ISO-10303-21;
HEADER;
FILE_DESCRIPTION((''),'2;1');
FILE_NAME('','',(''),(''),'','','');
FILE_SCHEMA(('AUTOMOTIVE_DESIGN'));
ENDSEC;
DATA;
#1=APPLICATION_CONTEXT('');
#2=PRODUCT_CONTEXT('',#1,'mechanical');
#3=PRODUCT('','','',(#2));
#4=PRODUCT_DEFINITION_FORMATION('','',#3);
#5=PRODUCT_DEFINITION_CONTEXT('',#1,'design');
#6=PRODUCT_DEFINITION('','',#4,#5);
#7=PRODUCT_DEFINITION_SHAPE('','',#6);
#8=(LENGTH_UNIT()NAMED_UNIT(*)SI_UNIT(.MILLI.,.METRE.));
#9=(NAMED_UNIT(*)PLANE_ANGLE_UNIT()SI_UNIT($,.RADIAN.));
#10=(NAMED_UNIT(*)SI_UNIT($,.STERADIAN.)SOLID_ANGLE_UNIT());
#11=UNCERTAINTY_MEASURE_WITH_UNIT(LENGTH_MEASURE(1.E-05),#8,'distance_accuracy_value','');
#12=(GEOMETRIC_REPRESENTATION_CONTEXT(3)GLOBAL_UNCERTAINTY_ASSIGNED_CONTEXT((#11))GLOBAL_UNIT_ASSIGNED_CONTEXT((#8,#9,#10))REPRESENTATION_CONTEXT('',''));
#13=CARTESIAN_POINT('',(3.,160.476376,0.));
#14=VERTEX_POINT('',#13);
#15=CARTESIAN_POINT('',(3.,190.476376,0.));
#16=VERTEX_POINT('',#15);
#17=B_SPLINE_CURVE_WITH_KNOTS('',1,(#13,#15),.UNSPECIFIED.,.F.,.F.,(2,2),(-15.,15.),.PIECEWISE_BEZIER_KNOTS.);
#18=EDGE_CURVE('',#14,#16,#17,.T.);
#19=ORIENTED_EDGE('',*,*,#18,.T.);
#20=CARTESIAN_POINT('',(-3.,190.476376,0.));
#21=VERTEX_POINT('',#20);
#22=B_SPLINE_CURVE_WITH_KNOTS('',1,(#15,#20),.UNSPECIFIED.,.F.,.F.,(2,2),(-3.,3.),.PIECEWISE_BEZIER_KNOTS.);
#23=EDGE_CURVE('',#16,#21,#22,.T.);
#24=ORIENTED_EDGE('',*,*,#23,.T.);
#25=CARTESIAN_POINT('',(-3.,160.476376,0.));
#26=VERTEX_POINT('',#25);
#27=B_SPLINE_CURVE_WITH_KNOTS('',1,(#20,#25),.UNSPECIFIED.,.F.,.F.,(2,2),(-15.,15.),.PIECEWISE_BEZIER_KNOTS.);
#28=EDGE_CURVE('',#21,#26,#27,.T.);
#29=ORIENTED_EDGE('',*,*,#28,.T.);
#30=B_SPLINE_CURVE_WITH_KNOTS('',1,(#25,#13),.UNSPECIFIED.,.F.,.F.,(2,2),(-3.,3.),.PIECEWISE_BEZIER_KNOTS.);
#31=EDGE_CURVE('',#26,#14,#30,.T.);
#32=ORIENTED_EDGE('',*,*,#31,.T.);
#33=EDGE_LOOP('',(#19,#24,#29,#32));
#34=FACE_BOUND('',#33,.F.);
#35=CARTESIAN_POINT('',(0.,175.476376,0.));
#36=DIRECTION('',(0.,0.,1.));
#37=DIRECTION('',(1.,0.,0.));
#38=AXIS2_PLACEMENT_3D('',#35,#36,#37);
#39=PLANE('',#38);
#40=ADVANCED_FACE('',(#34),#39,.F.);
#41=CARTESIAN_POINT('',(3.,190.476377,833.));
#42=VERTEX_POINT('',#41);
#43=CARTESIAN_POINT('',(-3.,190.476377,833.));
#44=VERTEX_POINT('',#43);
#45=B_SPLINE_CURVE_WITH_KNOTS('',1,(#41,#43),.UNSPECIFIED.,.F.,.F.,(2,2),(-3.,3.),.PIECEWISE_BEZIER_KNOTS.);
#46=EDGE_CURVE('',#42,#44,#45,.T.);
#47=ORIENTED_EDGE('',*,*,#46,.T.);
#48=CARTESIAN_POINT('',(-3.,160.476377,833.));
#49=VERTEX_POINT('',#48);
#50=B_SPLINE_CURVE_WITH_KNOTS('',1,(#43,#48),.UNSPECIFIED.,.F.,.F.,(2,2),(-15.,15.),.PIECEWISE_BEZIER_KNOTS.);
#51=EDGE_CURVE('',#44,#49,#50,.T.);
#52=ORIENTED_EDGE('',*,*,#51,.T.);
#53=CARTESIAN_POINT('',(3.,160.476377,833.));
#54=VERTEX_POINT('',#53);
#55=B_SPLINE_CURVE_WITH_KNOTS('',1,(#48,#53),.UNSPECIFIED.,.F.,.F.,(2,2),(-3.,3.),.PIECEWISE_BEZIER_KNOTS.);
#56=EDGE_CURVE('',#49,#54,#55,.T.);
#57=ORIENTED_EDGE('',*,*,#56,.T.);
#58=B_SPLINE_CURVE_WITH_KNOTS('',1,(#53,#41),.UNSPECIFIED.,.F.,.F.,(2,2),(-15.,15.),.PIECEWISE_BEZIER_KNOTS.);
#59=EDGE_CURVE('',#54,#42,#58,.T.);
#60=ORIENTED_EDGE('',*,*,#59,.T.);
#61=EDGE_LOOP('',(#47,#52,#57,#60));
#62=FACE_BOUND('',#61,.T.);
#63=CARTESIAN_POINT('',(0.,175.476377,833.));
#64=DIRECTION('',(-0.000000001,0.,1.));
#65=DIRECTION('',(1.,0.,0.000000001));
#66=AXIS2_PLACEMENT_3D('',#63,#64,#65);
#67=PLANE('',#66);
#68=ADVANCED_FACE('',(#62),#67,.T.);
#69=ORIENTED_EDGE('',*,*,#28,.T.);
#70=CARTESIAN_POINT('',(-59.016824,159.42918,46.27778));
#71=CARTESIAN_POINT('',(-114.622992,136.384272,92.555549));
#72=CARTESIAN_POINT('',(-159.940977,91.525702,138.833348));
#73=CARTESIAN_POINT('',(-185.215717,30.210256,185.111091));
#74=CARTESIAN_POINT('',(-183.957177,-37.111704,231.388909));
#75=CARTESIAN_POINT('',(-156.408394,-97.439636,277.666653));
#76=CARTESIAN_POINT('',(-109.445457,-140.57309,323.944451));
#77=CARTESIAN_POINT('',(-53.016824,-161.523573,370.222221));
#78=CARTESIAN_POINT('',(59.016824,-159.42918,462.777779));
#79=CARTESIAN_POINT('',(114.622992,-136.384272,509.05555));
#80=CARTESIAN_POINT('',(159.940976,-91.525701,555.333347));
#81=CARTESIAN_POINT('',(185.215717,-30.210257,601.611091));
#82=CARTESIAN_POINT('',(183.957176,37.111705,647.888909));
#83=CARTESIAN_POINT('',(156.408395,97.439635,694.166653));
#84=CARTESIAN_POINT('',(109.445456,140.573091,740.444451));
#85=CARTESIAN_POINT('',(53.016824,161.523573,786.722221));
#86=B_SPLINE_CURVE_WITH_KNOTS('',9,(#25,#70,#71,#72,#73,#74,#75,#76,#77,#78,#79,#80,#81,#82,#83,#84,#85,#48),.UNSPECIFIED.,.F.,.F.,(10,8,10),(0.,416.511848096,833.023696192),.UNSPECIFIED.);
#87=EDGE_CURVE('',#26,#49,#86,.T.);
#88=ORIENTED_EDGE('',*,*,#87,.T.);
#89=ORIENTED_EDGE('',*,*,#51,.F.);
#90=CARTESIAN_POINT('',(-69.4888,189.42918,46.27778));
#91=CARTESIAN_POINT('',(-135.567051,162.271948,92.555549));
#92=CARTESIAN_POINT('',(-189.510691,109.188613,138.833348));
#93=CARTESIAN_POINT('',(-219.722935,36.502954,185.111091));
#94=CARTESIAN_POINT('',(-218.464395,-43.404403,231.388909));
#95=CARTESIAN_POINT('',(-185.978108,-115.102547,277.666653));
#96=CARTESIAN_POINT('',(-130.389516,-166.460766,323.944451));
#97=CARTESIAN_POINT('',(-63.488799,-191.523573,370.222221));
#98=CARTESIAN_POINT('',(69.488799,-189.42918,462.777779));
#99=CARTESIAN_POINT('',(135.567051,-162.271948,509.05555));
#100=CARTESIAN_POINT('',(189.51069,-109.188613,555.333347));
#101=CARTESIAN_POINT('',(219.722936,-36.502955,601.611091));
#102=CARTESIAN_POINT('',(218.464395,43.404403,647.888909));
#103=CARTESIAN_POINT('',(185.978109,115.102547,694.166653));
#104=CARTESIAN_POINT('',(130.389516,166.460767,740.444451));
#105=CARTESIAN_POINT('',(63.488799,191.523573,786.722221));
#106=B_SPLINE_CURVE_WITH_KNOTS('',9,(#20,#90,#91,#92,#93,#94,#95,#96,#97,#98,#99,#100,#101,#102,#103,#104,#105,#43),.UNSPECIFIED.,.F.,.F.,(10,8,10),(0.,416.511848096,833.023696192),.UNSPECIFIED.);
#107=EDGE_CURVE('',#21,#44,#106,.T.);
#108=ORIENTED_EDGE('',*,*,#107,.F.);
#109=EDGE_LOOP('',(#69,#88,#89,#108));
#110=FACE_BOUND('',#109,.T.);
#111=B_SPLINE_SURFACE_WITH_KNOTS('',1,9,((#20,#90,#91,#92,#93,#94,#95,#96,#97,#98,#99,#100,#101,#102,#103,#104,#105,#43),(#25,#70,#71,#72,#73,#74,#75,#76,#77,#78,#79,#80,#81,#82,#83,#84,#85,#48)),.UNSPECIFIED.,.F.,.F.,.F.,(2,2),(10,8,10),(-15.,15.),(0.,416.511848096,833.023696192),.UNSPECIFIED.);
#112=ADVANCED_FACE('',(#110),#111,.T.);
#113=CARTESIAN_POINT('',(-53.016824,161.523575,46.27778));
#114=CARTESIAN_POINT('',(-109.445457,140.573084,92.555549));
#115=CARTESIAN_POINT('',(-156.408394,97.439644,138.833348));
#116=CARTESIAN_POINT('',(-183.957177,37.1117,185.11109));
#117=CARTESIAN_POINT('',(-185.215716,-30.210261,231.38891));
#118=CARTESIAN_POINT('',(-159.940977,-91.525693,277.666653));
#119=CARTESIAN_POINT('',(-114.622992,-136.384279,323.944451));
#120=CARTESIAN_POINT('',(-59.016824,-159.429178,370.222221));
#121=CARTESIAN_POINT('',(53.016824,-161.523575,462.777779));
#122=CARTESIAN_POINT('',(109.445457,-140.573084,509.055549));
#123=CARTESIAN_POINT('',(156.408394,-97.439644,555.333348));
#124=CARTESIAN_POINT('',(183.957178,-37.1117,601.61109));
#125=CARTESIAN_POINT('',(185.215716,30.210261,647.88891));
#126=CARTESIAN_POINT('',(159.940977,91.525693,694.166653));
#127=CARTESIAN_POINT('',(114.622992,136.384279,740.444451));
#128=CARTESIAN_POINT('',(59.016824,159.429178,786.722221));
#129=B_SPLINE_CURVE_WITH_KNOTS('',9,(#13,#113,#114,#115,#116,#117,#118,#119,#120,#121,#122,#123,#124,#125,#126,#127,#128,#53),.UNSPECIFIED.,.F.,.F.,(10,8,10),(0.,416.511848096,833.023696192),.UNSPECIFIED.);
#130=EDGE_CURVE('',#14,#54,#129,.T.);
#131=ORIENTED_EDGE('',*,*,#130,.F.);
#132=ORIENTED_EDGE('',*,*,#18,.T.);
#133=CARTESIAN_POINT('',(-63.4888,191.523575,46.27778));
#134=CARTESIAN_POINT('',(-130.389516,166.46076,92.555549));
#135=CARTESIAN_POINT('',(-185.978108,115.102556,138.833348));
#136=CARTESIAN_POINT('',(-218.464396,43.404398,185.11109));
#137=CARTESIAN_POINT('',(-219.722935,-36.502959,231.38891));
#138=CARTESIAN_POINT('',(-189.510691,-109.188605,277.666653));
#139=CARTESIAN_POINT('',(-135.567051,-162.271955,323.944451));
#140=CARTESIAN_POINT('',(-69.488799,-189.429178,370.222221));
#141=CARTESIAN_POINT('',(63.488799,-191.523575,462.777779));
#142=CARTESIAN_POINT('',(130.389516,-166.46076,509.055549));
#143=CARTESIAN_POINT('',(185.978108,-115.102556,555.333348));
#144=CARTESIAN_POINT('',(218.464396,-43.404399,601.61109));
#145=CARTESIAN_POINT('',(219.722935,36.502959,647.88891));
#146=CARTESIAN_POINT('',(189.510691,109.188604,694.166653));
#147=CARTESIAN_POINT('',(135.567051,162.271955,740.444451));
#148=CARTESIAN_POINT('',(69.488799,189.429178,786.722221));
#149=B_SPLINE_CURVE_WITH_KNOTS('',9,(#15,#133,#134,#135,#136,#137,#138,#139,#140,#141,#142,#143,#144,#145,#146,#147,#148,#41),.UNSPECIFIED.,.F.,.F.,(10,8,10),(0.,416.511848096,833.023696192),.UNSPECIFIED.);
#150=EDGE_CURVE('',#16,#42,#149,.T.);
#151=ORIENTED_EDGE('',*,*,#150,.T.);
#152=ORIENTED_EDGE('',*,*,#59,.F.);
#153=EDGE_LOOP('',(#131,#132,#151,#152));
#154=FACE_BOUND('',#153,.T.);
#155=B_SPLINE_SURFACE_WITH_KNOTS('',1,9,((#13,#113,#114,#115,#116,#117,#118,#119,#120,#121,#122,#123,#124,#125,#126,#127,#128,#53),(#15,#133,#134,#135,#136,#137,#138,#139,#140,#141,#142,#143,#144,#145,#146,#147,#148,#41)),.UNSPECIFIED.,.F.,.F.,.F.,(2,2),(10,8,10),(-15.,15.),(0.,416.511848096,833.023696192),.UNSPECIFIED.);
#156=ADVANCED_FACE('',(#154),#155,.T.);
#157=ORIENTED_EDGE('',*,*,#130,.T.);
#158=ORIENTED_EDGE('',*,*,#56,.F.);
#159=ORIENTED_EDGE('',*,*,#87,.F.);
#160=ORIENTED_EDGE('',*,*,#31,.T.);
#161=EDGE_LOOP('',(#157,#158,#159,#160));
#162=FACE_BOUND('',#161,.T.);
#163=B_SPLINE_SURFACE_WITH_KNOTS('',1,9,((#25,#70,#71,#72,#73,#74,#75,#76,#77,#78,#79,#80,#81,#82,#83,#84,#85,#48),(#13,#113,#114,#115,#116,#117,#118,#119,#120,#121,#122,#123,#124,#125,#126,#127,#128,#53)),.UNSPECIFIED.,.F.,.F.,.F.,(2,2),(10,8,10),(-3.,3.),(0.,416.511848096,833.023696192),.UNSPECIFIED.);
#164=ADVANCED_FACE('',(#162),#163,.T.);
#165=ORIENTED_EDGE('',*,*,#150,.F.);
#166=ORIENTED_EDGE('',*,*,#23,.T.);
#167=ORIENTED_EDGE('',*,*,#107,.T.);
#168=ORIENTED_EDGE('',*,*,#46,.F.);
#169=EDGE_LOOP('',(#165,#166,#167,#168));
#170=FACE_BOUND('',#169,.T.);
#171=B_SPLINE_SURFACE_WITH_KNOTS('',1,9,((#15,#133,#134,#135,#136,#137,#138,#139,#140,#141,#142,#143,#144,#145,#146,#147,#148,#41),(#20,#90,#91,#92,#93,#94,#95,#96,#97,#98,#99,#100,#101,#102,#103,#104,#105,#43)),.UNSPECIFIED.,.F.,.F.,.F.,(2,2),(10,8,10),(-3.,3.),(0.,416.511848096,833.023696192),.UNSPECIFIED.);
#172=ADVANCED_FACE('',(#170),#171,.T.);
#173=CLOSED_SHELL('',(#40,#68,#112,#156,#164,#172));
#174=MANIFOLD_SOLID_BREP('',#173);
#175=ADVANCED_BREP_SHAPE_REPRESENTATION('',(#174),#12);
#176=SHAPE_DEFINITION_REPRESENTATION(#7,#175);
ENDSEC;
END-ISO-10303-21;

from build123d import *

# Parameters (mm, degrees)
SWEEP1_PITCH       = 833
SWEEP1_HEIGHT      = 833
SWEEP1_RADIUS      = 190.5
SWEEP1_START_ANGLE = -180
SKETCH2_W          = 6
SKETCH2_H          = 30


with BuildPart() as part:
    # Sweep1: sweep along a helix
    with BuildLine() as sweep1_path:
        add(Helix(SWEEP1_PITCH, SWEEP1_HEIGHT, SWEEP1_RADIUS, center=(0, 0, 0), direction=(0, 0, 1), mode=Mode.PRIVATE).rotate(Axis((0, 0, 0), (0, 0, 1)), SWEEP1_START_ANGLE))
    # Sketch2 → Sweep1 (sweep)
    with BuildSketch(Plane.XY):
        with Locations((0, 175.476376488)):
            Rectangle(SKETCH2_W, SKETCH2_H)
    sweep(path=sweep1_path.line, is_frenet=True)


solid = part.part
